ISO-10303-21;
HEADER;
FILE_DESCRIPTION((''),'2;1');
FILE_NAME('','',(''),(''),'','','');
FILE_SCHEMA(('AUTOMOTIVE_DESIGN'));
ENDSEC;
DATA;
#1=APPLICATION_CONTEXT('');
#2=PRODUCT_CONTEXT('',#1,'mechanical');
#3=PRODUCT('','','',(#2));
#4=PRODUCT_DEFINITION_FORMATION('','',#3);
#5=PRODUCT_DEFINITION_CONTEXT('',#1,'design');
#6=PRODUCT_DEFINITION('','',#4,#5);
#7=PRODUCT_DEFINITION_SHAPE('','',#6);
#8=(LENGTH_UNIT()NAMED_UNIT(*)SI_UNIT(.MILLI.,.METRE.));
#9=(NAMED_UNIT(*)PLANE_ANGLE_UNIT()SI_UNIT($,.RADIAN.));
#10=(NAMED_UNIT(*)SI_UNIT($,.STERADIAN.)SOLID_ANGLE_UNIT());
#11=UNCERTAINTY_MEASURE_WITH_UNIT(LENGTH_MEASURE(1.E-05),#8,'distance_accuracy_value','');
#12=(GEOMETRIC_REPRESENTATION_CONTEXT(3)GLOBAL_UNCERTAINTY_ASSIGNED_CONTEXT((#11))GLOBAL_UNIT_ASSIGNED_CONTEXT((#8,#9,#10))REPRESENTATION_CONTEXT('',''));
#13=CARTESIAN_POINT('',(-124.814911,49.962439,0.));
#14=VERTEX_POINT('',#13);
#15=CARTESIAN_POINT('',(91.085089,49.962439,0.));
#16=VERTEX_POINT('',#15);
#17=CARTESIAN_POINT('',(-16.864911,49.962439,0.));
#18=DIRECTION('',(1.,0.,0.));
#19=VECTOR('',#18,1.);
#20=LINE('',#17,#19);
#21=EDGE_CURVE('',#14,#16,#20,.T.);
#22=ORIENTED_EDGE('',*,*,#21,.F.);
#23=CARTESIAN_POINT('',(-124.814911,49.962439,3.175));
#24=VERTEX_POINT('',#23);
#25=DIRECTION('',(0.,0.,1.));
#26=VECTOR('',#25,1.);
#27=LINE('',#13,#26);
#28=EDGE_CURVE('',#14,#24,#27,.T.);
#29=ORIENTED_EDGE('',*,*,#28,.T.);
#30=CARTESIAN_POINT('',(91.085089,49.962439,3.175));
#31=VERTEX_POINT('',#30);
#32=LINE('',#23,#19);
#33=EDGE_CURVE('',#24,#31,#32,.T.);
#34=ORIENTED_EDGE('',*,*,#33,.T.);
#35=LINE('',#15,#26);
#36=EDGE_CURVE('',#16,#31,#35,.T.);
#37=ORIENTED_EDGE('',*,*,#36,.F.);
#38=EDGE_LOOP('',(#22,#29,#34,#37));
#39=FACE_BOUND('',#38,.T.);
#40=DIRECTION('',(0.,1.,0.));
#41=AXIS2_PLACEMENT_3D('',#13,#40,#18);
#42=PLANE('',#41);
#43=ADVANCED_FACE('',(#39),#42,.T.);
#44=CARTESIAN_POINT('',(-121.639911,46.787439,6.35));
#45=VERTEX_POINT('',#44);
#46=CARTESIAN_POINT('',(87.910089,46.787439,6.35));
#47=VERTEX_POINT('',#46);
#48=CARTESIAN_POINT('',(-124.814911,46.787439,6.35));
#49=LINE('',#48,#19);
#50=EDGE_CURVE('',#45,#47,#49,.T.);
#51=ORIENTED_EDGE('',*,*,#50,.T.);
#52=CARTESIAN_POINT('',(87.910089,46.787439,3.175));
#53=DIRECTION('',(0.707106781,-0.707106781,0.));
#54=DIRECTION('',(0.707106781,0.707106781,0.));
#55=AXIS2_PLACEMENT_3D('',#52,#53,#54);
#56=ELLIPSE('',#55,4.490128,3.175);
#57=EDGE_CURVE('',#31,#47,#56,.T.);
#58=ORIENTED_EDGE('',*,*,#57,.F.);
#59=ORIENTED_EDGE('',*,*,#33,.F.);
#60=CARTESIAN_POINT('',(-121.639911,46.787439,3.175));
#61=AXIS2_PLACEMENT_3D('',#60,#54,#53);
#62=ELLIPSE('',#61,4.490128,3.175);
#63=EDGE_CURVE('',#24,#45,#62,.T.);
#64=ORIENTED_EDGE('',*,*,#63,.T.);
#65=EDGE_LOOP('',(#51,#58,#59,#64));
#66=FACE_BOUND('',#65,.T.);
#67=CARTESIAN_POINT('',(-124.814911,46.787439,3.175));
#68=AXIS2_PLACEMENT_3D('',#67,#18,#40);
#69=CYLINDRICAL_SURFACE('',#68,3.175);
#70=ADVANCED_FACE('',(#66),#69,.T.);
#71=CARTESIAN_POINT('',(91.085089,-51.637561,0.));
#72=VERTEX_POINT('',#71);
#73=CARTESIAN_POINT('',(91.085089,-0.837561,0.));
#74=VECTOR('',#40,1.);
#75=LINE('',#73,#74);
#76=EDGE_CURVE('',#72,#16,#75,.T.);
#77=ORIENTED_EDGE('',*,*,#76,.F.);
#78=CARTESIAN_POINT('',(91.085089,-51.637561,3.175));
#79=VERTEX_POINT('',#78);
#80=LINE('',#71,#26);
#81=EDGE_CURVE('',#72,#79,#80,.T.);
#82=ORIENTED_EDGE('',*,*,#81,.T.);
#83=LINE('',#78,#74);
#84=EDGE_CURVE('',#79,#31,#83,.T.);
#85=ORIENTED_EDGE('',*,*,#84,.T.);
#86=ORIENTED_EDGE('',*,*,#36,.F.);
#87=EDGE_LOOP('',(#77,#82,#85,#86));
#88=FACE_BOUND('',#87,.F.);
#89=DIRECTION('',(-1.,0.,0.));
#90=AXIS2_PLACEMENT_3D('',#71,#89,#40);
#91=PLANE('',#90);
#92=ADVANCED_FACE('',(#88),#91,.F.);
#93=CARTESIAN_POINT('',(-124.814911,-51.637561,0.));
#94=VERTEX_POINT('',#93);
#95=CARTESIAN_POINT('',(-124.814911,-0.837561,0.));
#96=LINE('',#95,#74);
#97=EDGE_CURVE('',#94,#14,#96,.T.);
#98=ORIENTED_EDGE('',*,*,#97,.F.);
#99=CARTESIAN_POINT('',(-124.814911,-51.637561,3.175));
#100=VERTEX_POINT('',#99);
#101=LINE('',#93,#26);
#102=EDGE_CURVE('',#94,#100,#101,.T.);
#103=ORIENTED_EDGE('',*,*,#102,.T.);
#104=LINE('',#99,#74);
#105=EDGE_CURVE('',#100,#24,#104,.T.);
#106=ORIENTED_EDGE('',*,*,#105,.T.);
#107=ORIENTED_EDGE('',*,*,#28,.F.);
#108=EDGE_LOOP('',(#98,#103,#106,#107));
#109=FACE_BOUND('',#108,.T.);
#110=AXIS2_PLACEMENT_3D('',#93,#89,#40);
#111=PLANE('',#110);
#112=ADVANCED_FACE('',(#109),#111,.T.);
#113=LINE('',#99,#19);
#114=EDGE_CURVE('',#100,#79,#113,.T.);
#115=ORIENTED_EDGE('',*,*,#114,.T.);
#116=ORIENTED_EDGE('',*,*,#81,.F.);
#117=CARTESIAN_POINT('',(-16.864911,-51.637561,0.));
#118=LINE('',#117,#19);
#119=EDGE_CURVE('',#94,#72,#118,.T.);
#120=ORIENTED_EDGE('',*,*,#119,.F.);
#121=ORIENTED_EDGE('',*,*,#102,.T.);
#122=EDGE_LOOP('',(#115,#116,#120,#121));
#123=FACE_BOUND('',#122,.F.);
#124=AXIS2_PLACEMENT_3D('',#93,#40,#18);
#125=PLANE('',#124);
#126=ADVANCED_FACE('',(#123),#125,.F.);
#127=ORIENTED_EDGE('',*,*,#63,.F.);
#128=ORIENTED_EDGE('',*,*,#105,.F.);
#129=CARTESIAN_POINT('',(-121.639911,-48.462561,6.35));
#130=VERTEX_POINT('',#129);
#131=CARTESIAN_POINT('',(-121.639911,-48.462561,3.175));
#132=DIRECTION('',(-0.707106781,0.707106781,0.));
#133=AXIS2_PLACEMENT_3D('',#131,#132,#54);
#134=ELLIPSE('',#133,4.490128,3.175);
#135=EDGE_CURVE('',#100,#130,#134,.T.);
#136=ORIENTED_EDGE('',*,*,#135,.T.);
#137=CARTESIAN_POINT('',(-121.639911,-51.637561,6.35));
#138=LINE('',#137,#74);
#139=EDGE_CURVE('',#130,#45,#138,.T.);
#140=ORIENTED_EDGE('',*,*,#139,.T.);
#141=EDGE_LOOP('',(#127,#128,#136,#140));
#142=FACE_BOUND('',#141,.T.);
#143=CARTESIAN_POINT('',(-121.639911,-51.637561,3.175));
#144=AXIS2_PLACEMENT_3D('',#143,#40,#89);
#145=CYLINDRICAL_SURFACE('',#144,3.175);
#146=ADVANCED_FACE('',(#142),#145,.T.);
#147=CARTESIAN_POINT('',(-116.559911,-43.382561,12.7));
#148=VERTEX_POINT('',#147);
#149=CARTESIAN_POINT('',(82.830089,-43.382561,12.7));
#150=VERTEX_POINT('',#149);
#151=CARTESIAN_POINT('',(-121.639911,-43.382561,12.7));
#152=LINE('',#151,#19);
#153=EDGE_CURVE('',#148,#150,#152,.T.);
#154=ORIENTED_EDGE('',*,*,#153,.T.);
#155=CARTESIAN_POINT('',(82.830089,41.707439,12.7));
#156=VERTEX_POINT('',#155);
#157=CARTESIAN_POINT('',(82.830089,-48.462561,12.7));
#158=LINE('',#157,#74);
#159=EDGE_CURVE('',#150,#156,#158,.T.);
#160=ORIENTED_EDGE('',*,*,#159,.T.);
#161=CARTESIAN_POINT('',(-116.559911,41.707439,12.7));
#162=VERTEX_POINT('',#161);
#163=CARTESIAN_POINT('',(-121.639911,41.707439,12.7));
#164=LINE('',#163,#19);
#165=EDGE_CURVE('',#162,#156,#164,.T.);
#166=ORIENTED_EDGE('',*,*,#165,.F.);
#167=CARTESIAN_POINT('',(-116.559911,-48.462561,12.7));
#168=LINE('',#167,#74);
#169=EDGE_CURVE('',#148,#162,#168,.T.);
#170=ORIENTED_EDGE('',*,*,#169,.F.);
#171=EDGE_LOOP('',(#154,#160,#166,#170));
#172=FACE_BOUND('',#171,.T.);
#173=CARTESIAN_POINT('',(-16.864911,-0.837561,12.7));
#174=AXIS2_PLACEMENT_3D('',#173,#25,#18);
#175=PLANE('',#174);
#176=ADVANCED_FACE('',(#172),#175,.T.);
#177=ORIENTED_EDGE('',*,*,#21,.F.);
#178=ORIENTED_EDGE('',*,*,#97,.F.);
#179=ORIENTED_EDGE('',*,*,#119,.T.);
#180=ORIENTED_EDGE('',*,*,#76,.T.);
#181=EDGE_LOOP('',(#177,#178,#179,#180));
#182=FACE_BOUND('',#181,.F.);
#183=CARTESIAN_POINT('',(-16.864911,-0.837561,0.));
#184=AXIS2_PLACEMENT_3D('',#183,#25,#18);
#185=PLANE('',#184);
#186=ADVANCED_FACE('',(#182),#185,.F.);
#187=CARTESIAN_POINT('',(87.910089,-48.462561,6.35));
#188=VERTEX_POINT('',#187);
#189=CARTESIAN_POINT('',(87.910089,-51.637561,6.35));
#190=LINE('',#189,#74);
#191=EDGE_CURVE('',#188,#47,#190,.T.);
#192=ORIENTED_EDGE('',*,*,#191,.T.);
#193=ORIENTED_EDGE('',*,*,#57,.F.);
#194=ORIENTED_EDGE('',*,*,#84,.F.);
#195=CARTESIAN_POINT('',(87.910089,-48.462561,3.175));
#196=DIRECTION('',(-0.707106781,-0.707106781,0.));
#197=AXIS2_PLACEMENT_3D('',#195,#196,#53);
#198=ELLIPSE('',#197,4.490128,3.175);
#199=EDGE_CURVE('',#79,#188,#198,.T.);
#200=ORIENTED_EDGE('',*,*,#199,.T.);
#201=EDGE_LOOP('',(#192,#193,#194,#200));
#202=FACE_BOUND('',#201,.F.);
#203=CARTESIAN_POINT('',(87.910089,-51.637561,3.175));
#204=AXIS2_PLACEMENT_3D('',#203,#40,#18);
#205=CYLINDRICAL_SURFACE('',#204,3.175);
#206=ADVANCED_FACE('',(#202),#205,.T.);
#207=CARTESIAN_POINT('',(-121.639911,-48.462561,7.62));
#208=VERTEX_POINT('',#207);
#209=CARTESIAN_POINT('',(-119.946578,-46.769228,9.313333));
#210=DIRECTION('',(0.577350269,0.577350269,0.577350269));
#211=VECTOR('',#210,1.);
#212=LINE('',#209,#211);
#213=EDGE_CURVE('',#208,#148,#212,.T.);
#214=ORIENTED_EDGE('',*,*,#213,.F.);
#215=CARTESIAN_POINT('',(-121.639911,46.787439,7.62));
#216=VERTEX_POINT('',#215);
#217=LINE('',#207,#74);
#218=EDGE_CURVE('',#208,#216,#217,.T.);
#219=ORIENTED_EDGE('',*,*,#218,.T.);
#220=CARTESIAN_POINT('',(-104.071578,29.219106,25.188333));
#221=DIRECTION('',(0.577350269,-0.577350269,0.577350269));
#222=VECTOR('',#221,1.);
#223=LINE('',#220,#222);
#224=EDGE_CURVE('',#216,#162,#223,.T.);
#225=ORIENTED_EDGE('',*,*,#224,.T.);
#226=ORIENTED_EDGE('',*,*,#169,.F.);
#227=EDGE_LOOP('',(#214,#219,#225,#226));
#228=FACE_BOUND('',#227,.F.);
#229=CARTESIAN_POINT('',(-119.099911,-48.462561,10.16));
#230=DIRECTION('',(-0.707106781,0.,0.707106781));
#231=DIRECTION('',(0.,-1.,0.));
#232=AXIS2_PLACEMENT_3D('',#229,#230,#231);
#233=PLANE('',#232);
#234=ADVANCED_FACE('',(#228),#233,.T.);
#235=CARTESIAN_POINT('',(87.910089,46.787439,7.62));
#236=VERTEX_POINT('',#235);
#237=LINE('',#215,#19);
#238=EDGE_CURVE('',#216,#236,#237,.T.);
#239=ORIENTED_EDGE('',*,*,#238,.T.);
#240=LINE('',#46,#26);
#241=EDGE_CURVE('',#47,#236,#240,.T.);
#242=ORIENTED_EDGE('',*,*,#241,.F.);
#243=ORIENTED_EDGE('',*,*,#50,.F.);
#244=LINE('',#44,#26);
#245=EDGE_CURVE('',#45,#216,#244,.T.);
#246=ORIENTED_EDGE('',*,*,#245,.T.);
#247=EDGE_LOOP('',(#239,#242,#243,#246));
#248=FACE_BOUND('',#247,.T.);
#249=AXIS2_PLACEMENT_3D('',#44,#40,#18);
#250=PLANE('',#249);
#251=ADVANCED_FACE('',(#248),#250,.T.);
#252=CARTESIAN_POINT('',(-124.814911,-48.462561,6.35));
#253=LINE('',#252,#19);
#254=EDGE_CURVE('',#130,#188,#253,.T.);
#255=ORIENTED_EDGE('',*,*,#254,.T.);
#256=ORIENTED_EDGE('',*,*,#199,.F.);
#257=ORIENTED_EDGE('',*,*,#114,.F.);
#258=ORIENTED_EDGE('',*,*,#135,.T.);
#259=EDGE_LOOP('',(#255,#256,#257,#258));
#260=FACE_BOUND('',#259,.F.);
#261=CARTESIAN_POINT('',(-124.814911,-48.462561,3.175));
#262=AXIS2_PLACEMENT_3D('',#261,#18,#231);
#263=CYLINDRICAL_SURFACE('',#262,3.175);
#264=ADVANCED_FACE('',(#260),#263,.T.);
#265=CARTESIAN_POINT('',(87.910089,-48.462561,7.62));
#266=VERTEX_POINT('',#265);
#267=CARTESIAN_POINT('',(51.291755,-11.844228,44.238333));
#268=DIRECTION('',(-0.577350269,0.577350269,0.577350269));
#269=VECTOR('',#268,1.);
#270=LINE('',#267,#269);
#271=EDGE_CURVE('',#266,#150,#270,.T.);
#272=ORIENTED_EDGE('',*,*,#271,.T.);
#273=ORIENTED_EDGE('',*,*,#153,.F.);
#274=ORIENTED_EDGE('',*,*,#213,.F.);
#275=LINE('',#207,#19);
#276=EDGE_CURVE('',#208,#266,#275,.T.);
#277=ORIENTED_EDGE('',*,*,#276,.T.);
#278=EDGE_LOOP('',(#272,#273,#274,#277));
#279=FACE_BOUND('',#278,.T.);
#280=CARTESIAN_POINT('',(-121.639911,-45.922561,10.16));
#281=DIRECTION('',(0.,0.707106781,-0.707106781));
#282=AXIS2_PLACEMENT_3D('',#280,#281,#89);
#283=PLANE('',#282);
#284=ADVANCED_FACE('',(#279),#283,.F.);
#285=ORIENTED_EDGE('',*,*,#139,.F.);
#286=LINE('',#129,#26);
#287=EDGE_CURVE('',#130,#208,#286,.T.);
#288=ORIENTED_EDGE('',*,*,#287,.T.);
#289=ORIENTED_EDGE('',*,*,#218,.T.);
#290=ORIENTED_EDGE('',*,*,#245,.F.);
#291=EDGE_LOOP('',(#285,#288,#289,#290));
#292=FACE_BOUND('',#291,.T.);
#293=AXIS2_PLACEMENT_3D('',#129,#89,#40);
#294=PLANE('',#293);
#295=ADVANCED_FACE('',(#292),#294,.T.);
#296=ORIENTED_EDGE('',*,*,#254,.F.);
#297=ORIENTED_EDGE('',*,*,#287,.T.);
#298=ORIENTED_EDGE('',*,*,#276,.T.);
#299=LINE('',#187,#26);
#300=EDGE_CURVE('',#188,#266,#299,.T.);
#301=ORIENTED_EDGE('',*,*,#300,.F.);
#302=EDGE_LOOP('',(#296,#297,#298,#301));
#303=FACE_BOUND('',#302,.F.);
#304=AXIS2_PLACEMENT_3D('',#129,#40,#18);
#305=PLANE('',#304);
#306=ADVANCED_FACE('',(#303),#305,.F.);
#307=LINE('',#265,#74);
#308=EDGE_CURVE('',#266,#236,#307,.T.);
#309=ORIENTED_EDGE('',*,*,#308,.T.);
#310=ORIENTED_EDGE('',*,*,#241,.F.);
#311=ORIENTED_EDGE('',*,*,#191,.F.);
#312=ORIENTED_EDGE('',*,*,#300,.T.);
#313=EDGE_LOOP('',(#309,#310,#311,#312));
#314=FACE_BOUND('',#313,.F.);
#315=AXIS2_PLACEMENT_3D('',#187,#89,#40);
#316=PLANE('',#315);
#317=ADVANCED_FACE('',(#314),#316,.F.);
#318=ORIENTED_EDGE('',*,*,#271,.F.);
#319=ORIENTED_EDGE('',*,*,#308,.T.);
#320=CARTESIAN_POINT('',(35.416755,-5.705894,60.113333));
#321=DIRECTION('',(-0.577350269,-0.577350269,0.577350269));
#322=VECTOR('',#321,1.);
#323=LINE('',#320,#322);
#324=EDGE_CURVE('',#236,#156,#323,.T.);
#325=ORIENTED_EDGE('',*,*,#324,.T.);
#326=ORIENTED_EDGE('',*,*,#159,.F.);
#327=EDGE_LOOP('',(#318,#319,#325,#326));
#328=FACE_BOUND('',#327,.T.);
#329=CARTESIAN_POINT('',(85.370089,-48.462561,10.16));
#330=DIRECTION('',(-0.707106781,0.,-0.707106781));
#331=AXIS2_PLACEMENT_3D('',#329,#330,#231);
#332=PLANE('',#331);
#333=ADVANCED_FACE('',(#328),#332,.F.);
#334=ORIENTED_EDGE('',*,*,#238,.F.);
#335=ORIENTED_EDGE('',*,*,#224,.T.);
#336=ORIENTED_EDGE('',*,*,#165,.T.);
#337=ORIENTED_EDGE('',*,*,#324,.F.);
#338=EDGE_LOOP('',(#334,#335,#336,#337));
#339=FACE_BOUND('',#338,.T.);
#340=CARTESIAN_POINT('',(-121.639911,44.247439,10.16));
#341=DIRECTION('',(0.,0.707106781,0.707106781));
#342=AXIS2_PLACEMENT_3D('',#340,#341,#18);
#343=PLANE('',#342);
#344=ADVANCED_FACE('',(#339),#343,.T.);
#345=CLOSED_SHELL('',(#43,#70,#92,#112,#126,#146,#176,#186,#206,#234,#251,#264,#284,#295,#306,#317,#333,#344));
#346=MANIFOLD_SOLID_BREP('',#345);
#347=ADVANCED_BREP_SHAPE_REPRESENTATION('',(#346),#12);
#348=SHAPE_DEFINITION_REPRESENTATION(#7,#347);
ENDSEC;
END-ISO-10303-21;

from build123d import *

# Parameters (mm, degrees)
F0_W     = 215.9
F0_H     = 101.6
F1_DEPTH = 6.35
F2_R     = 3.175
F3_DEPTH = 6.35
F4_SIZE  = 5.08


with BuildPart() as f1:
    # F0 (on Top) → F1 (new body)
    with BuildSketch(Plane.XY):
        with Locations((-16.8649114484, -0.8375608661)):
            Rectangle(F0_W, F0_H)
    extrude(amount=F1_DEPTH)

    # F2
    f2_edges = [f1.edges().sort_by_distance(p)[0] for p in [
        (-16.864911, -51.637561, 6.35),
        (91.085089, -0.837561, 6.35),
        (-16.864911, 49.962439, 6.35),
        (-124.814911, -0.837561, 6.35),
    ]]
    fillet(f2_edges, radius=F2_R)

    # F3 (add): a face of the model
    f3_faces = [f1.faces().sort_by_distance(p)[0] for p in [
        (-16.8649114484, -0.8375608661, 6.35),
    ]]
    extrude(f3_faces, amount=F3_DEPTH)

    # F4
    f4_edges = [f1.edges().sort_by_distance(p)[0] for p in [
        (-16.864911, -48.462561, 12.7),
        (-121.639911, -0.837561, 12.7),
        (87.910089, -0.837561, 12.7),
        (-16.864911, 46.787439, 12.7),
    ]]
    chamfer(f4_edges, length=F4_SIZE)


solid = f1.part
